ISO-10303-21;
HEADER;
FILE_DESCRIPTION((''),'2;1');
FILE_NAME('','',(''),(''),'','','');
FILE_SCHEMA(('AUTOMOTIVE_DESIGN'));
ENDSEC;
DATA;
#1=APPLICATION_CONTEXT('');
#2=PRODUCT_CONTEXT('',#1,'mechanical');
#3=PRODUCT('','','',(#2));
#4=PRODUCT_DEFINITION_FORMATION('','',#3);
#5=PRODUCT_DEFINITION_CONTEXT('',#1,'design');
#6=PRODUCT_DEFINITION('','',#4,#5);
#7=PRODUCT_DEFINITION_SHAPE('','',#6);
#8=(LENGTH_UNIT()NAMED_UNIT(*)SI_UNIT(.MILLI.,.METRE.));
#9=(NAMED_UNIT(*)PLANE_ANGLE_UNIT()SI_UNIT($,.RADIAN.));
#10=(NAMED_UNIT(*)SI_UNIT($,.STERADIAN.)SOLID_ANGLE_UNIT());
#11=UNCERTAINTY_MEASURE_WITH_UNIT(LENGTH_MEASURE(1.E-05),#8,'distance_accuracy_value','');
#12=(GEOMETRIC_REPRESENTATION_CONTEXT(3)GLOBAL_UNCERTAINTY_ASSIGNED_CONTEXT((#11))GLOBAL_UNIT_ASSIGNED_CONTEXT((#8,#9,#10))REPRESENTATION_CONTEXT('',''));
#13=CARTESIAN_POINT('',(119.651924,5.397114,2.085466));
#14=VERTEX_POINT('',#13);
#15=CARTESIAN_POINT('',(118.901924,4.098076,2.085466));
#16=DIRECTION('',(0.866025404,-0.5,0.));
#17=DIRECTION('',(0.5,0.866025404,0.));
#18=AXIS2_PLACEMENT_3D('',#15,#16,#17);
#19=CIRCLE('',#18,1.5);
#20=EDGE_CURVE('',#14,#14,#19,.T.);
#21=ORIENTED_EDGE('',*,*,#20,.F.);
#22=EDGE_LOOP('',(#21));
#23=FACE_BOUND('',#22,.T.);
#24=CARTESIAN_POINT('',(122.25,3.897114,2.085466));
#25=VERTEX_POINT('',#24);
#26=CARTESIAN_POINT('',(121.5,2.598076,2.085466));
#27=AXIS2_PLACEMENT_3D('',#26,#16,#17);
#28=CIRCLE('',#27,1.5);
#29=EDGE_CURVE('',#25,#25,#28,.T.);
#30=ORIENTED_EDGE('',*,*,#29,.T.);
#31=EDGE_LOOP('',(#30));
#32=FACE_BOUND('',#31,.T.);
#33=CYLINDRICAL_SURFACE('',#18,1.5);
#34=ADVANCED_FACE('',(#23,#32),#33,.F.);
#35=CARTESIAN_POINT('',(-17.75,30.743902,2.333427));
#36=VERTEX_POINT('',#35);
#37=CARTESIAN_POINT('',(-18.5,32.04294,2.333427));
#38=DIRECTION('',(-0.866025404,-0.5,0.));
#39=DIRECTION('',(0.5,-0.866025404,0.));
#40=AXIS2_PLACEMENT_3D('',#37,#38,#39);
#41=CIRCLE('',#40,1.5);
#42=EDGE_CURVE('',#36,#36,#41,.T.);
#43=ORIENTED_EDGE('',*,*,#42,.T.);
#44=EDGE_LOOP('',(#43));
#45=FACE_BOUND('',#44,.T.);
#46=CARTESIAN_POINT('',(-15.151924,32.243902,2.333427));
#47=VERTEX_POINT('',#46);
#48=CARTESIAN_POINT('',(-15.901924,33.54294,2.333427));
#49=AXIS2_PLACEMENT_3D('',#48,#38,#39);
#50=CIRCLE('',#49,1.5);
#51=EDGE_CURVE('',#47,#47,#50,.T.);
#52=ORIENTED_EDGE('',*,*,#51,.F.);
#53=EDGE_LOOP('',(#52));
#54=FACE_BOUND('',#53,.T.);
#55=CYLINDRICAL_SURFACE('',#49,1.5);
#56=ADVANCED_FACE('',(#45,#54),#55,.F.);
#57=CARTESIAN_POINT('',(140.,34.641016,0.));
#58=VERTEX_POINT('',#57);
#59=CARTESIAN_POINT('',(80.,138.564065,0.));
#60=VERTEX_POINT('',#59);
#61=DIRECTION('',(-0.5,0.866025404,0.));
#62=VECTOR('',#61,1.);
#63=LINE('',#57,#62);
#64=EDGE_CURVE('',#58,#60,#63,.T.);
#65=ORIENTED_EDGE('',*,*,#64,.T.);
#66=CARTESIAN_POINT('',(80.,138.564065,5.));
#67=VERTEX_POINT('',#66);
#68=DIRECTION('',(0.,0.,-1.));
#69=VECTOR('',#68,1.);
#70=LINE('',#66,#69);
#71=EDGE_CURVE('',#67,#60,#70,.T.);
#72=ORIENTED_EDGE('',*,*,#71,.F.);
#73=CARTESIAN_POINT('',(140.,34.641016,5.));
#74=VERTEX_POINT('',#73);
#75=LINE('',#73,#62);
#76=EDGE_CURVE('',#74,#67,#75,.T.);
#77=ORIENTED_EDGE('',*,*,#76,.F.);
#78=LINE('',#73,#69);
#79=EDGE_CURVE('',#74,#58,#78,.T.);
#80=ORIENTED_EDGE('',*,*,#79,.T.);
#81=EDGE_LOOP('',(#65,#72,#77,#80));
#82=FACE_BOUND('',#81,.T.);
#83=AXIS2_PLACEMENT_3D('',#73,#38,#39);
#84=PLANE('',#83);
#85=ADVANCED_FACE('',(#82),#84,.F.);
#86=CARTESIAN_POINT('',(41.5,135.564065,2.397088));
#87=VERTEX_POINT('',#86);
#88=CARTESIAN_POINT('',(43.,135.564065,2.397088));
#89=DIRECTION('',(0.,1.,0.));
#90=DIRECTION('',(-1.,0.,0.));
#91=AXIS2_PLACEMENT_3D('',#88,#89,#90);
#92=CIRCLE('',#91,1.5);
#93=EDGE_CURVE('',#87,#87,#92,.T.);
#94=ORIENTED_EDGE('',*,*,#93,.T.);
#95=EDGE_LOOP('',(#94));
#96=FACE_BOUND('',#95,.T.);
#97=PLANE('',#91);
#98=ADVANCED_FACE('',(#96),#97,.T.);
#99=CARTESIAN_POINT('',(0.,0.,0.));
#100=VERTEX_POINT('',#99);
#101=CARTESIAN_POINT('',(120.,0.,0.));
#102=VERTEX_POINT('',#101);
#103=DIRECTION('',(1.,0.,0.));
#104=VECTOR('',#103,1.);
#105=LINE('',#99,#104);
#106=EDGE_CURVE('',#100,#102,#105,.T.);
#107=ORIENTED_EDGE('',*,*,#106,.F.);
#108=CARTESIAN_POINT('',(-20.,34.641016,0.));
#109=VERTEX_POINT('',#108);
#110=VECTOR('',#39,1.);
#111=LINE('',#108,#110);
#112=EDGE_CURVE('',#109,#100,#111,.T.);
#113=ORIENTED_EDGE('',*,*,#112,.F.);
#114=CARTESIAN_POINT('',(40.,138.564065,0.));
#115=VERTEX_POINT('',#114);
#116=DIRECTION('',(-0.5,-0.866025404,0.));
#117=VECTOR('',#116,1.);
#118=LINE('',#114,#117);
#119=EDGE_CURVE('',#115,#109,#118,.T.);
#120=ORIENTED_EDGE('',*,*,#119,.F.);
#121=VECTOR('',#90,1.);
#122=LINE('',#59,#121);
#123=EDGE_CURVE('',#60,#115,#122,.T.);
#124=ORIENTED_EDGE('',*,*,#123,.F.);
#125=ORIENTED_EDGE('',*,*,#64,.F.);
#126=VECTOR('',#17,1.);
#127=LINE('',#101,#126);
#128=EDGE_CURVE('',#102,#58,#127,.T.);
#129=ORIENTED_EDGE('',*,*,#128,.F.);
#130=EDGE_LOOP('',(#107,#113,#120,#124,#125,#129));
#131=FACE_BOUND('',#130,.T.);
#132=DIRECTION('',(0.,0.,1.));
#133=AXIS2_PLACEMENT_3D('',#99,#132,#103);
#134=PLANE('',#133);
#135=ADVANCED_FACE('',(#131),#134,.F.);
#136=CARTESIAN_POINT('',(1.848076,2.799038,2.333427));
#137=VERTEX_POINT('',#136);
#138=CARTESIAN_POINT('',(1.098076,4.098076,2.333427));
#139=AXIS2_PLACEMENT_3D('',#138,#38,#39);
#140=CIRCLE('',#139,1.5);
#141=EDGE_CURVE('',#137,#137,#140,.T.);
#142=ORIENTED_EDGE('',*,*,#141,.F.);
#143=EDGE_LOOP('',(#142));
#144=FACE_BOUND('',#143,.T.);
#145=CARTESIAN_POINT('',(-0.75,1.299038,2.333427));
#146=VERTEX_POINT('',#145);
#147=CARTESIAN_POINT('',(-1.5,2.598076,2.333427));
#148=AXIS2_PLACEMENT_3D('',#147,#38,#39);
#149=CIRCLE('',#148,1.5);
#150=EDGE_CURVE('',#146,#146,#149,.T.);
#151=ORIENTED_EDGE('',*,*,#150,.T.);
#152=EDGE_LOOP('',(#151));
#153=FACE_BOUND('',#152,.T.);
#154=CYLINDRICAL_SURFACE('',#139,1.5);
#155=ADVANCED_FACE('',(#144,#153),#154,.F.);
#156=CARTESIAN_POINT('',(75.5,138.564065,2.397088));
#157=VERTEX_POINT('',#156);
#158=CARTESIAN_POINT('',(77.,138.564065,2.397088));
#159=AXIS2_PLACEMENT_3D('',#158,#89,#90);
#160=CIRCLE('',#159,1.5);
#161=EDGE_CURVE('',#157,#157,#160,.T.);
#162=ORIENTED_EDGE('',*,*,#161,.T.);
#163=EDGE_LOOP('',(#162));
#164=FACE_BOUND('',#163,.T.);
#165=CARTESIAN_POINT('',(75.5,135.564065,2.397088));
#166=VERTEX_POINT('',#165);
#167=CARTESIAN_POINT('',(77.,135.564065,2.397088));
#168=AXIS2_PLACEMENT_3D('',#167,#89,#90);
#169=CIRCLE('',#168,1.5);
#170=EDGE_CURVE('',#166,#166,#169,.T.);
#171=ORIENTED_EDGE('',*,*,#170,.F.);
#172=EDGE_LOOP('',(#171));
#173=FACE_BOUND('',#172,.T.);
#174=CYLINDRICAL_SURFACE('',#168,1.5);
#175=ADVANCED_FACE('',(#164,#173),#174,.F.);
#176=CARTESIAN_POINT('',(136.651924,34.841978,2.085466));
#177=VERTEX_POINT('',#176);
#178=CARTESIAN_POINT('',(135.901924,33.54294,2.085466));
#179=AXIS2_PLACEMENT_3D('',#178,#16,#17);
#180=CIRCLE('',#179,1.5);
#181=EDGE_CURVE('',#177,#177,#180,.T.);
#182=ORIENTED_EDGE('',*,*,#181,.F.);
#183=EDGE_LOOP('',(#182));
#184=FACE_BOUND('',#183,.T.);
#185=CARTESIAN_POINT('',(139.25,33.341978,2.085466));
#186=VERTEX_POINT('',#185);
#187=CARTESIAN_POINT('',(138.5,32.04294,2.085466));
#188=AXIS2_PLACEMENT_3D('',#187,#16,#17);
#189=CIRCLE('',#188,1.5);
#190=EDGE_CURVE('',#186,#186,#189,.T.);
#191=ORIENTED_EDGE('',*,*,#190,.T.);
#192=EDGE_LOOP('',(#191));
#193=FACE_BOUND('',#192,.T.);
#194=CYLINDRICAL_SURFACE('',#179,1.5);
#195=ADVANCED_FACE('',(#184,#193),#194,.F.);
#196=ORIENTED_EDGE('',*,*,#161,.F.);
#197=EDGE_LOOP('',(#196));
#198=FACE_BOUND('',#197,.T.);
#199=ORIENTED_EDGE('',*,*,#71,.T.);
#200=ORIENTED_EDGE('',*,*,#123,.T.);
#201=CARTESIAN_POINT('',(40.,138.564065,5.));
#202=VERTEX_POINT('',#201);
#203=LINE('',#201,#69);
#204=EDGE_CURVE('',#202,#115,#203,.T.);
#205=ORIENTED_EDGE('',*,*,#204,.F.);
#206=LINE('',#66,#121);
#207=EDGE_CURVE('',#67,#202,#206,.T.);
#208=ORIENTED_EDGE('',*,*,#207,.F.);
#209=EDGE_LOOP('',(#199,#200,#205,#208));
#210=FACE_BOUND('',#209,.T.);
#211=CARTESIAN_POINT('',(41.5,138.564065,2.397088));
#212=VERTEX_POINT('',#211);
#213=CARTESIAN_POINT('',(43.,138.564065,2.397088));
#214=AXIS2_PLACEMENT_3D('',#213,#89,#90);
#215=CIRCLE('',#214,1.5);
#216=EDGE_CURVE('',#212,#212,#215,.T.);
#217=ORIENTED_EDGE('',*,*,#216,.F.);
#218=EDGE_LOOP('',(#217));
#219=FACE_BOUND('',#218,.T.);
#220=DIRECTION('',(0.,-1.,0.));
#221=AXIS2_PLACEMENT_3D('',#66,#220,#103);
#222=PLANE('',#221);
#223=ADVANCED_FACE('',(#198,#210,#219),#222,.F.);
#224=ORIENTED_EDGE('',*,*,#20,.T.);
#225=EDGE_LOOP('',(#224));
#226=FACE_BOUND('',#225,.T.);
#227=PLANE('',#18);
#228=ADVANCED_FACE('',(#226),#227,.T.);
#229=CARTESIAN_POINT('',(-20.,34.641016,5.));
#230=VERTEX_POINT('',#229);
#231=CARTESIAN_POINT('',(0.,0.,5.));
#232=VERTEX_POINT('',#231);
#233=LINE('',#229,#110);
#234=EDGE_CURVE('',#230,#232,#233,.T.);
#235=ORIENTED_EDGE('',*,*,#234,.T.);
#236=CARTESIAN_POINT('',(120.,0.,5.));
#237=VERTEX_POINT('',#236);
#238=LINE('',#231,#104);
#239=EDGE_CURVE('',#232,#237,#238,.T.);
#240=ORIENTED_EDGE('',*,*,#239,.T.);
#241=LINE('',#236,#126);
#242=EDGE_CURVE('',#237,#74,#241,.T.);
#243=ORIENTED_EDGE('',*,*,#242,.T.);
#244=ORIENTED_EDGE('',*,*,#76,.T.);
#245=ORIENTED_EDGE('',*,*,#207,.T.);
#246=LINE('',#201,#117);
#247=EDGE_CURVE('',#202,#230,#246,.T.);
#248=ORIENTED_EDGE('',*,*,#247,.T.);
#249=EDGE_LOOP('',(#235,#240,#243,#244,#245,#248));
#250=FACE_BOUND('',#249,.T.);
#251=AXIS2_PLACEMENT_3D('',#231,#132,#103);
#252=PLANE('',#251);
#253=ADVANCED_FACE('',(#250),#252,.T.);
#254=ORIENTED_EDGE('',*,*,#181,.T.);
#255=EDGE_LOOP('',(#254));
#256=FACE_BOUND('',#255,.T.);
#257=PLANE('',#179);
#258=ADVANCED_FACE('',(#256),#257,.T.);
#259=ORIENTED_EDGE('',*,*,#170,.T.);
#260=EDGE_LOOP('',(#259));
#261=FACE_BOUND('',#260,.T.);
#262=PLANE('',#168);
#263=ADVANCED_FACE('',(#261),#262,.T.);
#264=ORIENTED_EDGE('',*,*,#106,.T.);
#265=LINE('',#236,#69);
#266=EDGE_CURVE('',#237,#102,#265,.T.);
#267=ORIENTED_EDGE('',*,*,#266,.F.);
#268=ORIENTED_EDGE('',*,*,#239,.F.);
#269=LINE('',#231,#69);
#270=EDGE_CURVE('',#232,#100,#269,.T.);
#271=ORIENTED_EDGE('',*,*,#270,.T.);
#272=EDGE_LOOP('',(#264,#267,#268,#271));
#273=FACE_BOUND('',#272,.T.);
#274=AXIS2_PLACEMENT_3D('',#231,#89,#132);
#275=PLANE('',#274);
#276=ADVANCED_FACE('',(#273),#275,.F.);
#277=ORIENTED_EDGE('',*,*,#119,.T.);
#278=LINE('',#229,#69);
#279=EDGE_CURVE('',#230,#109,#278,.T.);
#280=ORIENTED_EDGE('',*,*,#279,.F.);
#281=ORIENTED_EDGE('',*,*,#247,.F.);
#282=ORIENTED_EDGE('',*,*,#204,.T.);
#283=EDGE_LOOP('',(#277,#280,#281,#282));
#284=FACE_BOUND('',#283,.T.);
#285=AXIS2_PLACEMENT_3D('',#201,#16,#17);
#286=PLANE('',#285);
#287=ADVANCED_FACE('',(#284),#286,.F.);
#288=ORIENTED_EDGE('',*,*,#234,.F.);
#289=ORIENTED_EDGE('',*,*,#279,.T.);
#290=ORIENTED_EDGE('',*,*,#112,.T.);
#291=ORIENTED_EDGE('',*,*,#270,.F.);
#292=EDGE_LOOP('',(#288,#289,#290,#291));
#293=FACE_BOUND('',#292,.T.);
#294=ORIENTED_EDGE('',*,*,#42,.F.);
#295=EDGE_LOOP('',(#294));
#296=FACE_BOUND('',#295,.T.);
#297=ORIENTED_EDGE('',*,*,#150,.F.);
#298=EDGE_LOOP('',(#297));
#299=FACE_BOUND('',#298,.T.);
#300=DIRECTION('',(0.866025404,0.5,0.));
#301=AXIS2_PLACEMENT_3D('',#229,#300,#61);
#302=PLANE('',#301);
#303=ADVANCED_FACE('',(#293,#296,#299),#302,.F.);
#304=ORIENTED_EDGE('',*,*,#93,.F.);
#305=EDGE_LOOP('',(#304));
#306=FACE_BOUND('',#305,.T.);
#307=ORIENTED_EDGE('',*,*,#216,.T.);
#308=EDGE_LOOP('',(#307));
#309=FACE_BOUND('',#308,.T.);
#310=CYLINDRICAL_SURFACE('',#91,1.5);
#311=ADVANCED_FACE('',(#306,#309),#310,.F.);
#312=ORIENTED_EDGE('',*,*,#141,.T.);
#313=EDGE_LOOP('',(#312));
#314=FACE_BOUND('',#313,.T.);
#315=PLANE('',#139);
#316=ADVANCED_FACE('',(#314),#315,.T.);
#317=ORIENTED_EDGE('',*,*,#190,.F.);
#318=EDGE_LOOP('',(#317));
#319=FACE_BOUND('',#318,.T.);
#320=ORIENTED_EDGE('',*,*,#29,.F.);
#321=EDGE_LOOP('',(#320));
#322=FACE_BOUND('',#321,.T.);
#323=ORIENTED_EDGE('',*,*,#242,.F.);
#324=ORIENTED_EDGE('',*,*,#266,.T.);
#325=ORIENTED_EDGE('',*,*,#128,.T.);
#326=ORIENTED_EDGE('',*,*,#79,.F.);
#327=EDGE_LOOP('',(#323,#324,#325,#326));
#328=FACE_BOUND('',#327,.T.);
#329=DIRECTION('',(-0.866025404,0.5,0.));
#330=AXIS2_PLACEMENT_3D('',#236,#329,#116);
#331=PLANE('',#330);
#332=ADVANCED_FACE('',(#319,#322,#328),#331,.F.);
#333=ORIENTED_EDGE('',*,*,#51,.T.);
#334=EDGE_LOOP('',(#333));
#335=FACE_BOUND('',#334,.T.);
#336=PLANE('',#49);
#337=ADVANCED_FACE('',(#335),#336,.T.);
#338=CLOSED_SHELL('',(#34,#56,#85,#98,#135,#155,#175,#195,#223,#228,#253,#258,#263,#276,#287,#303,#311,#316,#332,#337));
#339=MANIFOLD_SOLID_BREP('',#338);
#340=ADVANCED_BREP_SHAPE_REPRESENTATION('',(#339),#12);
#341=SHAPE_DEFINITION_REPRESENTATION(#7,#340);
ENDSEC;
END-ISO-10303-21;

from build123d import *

# Parameters (mm, degrees)
BOSS_EXTRUDE1_DEPTH = 5
SKETCH3_R           = 1.5
CUT_EXTRUDE1_DEPTH  = 3
SKETCH4_R           = 1.5
CUT_EXTRUDE2_DEPTH  = 3
SKETCH5_R           = 1.5
CUT_EXTRUDE3_DEPTH  = 3


with BuildPart() as part:
    # Sketch1 → Boss-Extrude1 (new body)
    with BuildSketch(Plane.XY):
        Polygon((0, 0), (120, 0), (140, 34.641016151), (80, 138.564064606), (40, 138.564064606), (-20, 34.641016151), align=None)
    extrude(amount=BOSS_EXTRUDE1_DEPTH)

    # Sketch3 → Cut-Extrude1 (cut)
    with BuildSketch(Plane(origin=(0, 0, 0), x_dir=(0, 0, 1), z_dir=(-0.866025404, -0.5, 0))):
        with Locations((2.333426925, 37)):
            Circle(SKETCH3_R)
        with Locations((2.333426925, 3)):
            Circle(SKETCH3_R)
    extrude(amount=-CUT_EXTRUDE1_DEPTH, mode=Mode.SUBTRACT)

    # Sketch4 → Cut-Extrude2 (cut)
    with BuildSketch(Plane(origin=(90, -51.961524227, 0), x_dir=(0, 0, -1), z_dir=(0.866025404, -0.5, 0))):
        with Locations((-2.085466333, 63)):
            Circle(SKETCH4_R)
        with Locations((-2.085466333, 97)):
            Circle(SKETCH4_R)
    extrude(amount=-CUT_EXTRUDE2_DEPTH, mode=Mode.SUBTRACT)

    # Sketch5 → Cut-Extrude3 (cut)
    with BuildSketch(Plane(origin=(0, 138.564064606, 0), x_dir=(1, 0, 0), z_dir=(0, 1, 0))):
        with Locations((77, -2.397088123)):
            Circle(SKETCH5_R)
        with Locations((43, -2.397088123)):
            Circle(SKETCH5_R)
    extrude(amount=-CUT_EXTRUDE3_DEPTH, mode=Mode.SUBTRACT)


solid = part.part
